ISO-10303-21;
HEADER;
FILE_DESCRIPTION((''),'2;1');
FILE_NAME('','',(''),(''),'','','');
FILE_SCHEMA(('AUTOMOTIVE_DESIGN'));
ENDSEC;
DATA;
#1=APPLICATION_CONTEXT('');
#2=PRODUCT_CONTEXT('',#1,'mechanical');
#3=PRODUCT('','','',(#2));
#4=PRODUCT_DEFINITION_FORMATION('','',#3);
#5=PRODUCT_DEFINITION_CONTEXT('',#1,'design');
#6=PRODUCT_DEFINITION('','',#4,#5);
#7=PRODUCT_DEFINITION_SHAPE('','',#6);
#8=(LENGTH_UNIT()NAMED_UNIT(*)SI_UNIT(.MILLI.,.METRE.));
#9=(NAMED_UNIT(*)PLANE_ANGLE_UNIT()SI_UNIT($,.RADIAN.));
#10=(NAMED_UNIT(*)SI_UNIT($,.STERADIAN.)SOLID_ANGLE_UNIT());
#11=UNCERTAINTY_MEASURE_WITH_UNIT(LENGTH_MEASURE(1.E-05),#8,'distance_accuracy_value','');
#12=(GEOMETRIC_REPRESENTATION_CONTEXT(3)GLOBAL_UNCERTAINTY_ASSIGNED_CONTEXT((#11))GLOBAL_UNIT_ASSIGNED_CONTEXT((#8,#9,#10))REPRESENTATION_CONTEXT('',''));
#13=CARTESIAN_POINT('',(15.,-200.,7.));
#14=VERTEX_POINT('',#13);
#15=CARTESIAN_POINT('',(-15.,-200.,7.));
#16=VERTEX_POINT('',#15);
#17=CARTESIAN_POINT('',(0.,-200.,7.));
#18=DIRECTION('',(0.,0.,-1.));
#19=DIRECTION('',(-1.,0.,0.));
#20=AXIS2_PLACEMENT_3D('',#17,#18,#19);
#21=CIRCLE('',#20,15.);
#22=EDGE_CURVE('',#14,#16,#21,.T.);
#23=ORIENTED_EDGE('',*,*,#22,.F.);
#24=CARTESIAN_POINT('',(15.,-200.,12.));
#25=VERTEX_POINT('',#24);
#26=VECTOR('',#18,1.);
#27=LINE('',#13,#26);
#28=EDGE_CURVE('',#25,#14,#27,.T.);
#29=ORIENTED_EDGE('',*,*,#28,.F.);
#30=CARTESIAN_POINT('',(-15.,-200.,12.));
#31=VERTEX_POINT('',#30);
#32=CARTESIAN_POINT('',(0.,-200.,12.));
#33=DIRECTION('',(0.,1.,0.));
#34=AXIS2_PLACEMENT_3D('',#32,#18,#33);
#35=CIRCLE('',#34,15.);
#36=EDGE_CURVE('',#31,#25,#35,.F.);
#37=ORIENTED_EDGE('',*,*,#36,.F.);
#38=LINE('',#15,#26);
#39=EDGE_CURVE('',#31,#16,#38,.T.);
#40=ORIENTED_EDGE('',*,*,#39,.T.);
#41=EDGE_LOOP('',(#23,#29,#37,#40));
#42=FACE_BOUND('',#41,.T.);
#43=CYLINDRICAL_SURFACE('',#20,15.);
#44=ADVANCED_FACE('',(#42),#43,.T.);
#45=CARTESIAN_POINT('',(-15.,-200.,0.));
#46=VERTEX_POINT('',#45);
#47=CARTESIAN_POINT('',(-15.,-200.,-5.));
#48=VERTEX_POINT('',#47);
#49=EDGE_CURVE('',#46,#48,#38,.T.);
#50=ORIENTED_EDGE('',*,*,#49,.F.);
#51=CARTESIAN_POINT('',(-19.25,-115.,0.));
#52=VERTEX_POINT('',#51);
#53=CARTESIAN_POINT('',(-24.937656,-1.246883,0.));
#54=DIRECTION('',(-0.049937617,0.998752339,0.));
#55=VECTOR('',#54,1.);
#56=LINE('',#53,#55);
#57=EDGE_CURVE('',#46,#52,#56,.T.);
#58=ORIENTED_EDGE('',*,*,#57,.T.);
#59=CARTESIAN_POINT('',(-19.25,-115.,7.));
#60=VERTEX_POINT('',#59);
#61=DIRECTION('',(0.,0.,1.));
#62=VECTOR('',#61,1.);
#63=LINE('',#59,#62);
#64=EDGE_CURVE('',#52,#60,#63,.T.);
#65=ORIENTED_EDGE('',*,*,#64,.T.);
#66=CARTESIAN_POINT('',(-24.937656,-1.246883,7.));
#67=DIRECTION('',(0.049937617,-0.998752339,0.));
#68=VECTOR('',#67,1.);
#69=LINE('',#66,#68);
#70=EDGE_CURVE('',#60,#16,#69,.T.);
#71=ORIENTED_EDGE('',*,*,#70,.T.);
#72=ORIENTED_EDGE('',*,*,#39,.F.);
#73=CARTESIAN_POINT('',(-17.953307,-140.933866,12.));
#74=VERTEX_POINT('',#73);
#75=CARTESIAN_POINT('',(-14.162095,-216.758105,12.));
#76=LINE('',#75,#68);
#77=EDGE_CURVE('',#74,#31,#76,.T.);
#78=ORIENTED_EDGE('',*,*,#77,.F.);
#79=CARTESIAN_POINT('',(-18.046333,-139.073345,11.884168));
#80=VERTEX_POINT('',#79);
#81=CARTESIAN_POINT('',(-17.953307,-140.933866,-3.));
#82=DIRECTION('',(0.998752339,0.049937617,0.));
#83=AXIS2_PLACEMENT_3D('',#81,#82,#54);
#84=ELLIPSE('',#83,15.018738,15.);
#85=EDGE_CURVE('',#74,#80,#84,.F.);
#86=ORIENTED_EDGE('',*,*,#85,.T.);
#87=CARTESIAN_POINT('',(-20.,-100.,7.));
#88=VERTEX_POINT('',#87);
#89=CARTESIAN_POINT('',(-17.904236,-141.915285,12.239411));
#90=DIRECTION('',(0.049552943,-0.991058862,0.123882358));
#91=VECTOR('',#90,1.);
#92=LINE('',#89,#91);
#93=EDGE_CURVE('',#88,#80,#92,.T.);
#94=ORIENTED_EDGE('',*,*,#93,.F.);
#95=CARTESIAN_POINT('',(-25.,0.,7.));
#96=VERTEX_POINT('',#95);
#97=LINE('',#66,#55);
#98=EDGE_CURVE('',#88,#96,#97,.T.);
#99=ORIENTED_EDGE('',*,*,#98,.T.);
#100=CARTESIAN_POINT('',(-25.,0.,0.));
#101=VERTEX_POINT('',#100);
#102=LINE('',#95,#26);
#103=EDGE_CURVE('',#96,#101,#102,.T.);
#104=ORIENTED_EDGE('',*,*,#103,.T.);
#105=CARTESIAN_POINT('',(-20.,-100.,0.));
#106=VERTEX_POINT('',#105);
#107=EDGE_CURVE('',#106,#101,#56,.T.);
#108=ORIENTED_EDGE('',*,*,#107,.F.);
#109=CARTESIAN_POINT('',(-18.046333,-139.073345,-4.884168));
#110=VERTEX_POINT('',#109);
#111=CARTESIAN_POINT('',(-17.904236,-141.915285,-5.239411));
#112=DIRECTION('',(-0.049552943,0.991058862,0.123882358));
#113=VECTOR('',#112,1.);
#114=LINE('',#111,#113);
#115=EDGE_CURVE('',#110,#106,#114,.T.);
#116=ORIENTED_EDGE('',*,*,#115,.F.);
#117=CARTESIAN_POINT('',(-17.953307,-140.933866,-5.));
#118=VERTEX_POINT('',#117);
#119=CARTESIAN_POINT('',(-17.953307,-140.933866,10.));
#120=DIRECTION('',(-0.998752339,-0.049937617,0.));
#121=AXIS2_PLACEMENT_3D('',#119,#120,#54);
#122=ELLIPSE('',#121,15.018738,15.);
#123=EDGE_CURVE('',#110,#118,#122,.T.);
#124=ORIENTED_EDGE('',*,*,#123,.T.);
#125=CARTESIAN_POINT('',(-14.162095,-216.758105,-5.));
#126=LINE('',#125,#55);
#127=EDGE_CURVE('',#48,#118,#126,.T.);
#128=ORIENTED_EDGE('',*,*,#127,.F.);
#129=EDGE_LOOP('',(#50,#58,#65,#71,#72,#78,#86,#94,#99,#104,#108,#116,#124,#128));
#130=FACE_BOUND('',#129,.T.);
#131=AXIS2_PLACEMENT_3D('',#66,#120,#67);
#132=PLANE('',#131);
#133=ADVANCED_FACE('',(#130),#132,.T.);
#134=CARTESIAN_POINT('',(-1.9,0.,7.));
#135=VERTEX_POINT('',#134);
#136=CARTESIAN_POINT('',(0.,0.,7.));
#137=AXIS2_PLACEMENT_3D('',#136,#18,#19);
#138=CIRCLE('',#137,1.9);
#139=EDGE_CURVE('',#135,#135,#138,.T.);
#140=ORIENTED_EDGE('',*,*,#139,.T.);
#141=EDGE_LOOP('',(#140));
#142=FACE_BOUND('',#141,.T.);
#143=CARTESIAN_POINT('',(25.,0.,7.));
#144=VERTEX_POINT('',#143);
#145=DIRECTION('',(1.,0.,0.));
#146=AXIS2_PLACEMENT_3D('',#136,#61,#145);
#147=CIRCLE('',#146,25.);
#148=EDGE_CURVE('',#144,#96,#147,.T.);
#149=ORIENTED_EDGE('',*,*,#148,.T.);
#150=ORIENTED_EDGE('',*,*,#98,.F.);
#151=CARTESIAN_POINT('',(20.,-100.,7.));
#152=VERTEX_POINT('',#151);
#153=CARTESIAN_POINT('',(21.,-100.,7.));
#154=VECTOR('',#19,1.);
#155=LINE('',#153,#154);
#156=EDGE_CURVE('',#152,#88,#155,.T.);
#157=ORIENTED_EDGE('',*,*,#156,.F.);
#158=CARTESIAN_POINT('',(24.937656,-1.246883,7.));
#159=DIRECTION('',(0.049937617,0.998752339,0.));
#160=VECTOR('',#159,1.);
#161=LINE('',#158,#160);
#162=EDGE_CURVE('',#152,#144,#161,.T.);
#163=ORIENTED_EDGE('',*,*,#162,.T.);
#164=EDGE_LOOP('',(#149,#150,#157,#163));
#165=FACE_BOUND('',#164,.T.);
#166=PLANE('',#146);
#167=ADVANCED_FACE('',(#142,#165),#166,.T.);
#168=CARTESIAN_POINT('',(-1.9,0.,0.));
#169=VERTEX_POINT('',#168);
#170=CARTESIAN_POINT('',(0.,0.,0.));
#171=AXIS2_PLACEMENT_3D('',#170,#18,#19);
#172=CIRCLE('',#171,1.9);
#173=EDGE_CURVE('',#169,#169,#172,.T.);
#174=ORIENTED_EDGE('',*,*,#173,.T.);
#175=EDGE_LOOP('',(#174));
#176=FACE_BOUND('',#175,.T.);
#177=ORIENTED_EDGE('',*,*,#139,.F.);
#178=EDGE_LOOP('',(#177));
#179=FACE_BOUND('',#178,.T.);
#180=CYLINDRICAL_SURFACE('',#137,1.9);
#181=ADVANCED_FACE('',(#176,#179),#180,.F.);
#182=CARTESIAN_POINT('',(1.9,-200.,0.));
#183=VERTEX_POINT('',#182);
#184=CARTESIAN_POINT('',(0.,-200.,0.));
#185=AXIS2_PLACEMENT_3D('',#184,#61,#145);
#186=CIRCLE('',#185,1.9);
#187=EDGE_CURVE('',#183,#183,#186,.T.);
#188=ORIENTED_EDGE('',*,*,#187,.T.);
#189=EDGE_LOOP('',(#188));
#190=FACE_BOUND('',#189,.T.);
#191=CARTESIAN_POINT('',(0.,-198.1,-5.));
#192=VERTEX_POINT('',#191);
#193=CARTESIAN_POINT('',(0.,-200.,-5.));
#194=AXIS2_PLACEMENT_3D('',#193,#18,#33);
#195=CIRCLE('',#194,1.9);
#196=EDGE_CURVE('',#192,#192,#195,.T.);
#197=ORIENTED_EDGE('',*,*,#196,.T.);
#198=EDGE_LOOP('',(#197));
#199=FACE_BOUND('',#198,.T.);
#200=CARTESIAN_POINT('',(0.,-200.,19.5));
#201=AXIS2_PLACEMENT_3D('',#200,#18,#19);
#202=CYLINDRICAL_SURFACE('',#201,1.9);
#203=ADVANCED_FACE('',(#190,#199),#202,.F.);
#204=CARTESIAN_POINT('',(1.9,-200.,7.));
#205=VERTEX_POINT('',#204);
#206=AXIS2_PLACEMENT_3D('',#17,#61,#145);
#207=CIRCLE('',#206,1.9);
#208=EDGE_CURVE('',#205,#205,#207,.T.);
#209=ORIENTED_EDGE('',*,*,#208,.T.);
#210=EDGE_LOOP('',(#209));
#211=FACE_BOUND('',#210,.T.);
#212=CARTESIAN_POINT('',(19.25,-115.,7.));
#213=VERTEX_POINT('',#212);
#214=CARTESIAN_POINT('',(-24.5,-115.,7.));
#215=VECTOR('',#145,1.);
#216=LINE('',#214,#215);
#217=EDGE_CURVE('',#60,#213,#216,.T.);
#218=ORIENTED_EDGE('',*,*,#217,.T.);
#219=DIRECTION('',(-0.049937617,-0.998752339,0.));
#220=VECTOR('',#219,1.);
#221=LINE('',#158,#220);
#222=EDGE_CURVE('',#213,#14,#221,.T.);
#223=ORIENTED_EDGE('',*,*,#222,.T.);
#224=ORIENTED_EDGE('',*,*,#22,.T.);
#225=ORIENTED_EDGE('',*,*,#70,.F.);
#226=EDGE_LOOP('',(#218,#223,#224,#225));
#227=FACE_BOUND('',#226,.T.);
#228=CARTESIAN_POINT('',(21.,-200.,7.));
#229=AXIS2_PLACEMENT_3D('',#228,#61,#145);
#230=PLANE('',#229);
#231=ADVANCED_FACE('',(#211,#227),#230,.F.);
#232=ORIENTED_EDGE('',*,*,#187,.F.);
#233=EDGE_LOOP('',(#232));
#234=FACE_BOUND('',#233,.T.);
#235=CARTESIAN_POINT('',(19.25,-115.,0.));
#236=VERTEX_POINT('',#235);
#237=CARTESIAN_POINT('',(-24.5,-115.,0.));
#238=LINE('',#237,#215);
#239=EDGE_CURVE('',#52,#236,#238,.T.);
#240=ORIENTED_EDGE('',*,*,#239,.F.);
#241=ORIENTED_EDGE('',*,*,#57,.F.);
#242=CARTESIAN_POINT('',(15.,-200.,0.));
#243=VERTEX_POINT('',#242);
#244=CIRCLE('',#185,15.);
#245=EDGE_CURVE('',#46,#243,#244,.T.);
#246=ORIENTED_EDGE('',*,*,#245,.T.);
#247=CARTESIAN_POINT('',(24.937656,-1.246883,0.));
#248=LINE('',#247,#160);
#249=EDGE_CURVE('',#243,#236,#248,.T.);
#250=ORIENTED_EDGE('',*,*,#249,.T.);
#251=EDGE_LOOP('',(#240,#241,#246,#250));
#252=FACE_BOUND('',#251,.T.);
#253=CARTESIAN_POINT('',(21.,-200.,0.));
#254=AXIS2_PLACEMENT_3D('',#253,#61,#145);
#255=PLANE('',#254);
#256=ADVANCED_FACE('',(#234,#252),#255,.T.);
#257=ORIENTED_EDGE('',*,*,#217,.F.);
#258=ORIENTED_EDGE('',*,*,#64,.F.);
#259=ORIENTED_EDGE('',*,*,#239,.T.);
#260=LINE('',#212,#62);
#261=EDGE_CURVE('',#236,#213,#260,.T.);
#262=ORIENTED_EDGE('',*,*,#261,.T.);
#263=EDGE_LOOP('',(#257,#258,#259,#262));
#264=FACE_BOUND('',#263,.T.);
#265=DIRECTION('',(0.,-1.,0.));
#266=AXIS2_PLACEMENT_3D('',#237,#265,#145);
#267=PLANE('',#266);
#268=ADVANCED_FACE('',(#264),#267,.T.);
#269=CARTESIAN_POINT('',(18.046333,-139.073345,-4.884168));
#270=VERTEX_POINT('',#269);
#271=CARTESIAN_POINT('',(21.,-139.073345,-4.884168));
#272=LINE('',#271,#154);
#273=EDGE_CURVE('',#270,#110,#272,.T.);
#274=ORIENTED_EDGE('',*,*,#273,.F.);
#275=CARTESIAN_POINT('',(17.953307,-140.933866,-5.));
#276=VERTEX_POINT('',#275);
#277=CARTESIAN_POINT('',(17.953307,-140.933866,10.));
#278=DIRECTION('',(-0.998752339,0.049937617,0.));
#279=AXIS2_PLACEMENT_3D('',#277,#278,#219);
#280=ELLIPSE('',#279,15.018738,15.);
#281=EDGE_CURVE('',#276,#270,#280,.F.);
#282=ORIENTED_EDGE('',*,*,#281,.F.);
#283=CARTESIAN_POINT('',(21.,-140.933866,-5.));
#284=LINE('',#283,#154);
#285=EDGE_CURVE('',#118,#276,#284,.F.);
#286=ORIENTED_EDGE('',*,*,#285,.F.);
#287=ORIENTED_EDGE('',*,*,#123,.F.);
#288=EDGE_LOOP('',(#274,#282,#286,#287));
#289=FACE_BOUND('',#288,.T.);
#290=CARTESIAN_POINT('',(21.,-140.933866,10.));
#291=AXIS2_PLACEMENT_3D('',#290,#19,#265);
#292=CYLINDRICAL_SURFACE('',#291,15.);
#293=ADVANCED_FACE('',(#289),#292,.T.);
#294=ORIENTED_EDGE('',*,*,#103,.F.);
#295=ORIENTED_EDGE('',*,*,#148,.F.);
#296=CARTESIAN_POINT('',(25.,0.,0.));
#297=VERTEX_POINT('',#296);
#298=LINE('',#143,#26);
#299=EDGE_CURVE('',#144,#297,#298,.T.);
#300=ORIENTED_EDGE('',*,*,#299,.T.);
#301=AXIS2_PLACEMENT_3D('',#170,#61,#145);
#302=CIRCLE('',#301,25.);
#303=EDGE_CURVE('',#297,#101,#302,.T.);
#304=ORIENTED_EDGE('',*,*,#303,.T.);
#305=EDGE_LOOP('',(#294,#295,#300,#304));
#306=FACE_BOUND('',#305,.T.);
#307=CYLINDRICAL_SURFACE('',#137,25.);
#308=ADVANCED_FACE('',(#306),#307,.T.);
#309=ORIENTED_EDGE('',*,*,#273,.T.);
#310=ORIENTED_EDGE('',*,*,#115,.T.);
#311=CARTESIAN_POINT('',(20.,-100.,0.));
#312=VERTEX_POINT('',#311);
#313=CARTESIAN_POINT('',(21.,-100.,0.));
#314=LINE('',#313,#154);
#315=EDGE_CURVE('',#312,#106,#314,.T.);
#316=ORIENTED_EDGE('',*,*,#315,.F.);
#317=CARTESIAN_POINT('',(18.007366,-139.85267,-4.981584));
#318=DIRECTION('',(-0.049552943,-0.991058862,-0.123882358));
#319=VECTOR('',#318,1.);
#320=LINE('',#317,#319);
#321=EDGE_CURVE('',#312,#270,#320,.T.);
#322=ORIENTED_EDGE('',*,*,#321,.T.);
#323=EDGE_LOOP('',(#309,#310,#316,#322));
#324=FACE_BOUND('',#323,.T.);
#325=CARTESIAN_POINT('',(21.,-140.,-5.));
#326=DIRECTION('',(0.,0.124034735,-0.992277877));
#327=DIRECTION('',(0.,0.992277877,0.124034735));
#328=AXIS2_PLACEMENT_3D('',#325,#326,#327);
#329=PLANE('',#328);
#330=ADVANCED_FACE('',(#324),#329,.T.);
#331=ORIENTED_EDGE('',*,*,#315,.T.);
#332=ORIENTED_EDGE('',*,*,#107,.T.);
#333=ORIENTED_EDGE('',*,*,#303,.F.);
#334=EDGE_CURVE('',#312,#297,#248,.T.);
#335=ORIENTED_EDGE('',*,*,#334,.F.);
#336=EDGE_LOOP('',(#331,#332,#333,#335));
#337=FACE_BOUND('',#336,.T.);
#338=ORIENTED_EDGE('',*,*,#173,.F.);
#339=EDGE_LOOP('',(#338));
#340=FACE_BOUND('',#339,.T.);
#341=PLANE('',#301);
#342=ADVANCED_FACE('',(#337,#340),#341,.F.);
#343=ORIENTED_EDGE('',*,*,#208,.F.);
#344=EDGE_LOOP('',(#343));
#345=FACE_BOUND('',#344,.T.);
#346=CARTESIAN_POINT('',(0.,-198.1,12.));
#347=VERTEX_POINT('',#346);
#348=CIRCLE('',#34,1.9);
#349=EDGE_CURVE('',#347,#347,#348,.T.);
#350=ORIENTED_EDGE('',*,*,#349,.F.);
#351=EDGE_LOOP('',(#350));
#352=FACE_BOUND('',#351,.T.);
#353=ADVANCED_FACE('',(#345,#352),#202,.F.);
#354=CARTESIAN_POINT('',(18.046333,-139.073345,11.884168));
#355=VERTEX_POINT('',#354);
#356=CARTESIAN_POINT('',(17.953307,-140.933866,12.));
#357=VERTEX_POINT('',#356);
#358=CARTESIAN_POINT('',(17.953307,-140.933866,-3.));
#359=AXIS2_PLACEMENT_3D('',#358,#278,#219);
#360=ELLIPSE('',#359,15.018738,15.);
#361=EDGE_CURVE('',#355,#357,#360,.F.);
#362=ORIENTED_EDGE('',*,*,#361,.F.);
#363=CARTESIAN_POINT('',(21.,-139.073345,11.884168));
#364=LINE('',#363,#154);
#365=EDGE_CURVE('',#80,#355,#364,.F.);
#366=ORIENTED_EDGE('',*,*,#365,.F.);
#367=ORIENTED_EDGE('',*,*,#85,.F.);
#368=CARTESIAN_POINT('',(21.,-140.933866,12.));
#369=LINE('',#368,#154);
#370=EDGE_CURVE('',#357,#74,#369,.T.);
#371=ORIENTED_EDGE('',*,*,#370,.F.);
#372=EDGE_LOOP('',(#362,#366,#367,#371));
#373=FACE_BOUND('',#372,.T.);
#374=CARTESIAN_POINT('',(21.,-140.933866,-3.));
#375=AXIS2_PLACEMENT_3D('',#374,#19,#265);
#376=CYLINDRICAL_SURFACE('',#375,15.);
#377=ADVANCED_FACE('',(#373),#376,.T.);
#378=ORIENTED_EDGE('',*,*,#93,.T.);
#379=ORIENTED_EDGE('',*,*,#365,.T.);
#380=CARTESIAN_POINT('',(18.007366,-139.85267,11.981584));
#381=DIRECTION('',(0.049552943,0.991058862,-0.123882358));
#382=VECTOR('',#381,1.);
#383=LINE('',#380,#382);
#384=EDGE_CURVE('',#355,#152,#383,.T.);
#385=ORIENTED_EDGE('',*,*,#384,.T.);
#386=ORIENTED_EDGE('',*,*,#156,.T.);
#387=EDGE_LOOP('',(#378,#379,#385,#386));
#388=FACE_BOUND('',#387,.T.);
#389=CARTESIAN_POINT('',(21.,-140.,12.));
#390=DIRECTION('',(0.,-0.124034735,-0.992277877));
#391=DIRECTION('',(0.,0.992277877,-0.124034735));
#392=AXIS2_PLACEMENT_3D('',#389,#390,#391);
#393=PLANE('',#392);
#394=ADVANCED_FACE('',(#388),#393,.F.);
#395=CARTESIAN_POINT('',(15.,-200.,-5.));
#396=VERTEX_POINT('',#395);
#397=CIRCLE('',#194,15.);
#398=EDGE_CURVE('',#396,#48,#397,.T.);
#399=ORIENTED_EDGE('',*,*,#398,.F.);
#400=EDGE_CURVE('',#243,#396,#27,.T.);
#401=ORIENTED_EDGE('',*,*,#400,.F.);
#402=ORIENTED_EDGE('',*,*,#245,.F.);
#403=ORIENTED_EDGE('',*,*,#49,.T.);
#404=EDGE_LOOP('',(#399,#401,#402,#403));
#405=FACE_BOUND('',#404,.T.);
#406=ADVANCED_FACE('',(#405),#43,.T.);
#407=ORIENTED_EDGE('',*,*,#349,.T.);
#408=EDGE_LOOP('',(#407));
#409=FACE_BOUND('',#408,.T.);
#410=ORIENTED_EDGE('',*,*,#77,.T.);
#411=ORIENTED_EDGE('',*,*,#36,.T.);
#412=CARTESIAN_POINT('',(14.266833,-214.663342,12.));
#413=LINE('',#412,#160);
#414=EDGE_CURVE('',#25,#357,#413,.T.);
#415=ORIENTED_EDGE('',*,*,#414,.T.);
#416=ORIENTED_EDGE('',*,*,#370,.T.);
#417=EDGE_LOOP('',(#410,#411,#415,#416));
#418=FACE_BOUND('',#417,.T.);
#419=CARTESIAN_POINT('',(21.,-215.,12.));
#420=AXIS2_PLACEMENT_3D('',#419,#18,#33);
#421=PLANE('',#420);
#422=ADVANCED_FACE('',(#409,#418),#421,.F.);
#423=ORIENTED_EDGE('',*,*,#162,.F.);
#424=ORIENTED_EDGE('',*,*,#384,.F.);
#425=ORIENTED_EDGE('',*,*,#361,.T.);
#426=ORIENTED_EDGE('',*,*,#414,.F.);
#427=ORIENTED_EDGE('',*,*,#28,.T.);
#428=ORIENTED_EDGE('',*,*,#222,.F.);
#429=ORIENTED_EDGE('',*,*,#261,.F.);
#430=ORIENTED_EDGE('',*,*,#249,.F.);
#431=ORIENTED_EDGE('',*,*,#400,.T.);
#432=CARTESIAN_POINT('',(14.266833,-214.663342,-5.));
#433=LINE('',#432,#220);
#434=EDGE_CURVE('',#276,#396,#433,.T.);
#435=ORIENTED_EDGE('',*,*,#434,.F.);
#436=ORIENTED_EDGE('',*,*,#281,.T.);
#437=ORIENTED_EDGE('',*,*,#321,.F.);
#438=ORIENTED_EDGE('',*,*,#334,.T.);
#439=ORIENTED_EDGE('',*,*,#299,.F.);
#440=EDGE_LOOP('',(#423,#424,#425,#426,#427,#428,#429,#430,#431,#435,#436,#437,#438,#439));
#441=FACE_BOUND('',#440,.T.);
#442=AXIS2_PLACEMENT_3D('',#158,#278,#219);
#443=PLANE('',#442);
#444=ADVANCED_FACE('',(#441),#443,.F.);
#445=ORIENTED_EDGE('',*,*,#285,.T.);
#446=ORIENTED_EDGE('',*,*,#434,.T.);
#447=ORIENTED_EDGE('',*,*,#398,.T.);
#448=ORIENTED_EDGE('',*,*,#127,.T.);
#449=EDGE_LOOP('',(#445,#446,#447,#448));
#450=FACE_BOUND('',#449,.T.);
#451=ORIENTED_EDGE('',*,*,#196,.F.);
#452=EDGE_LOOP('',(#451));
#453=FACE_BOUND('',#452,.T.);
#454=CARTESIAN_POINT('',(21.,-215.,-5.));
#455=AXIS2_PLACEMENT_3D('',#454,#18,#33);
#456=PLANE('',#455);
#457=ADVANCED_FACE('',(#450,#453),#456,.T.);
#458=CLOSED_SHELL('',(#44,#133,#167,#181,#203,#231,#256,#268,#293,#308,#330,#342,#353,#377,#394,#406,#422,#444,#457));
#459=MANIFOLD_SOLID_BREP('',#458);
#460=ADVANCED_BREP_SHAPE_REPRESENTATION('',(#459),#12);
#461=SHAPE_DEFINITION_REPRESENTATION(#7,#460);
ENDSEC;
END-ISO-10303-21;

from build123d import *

# Parameters (mm, degrees)
BOSS_EXTRUDE1_DEPTH  = 7
SKETCH6_R            = 2.25
CUT_EXTRUDE4_DEPTH   = 25
BOSS_EXTRUDE2_START  = -21
BOSS_EXTRUDE2_DEPTH  = 43
CUT_EXTRUDE5_DEPTH   = 28
FILLET1_R            = 15
FILLET1_OF_MIRROR1_R = 15
SKETCH12_W           = 7
SKETCH12_H           = 100
CUT_EXTRUDE6_DEPTH   = 24.5
SKETCH13_R           = 1.9
CUT_EXTRUDE7_DEPTH   = 24.5
SKETCH14_R           = 1.9
CUT_EXTRUDE8_DEPTH   = 7


with BuildPart() as part:
    # Sketch2 → Boss-Extrude1 (new body)
    with BuildSketch(Plane.XY):
        with BuildLine():
            Line((15, -200), (25, 0))
            ThreePointArc((25, 0), (0, 25), (-25, 0))
            Line((-25, 0), (-15, -200))
            ThreePointArc((-15, -200), (0, -215), (15, -200))
        make_face()
    extrude(amount=BOSS_EXTRUDE1_DEPTH)

    # Sketch6 → Cut-Extrude4 (cut)
    with BuildSketch(Plane.XY.offset(7)):
        with Locations((0, -200)):
            Circle(SKETCH6_R)
    extrude(amount=-CUT_EXTRUDE4_DEPTH, mode=Mode.SUBTRACT)

    # Sketch9 → Boss-Extrude2 (add)
    with BuildSketch(Plane.ZY.offset(BOSS_EXTRUDE2_START)):
        Polygon((0, -200), (0, -215), (-5, -215), (-5, -140), (0, -100), align=None)
    boss_extrude2 = extrude(amount=BOSS_EXTRUDE2_DEPTH)

    # Sketch10 → Cut-Extrude5 (cut, symmetric)
    with BuildSketch(Plane.XY.offset(7)):
        with BuildLine():
            Line((21, -100), (20, -100))
            Line((20, -100), (15, -200))
            ThreePointArc((15, -200), (10.606601767, -210.606601669), (1.38e-07, -215))
            Line((1.38e-07, -215), (21, -215))
            Line((21, -215), (21, -100))
        make_face()
        with BuildLine():
            Line((-22, -215), (1.38e-07, -215))
            ThreePointArc((1.38e-07, -215), (-10.606601669, -210.606601767), (-15, -200))
            Line((-15, -200), (-20, -100))
            Line((-20, -100), (-22, -100))
            Line((-22, -100), (-22, -215))
        make_face()
    cut_extrude5 = extrude(amount=CUT_EXTRUDE5_DEPTH, both=True, mode=Mode.SUBTRACT)

    # Fillet1
    fillet1_edges = [part.edges().sort_by_distance(p)[0] for p in [
        (0, -140, -5),
    ]]
    fillet(fillet1_edges, radius=FILLET1_R)

    # Mirror1: Boss-Extrude2 across plane
    add(boss_extrude2.mirror(Plane.XY.offset(3.5)))

    # Fillet1 of Mirror1
    fillet1_of_mirror1_edges = [part.edges().sort_by_distance(p)[0] for p in [
        (0, -140, 12),
    ]]
    fillet(fillet1_of_mirror1_edges, radius=FILLET1_OF_MIRROR1_R)

    # Mirror2: Cut-Extrude5 across plane
    add(cut_extrude5.mirror(Plane.XY.offset(3.5)), mode=Mode.SUBTRACT)

    # Sketch12 → Cut-Extrude6 (cut, symmetric)
    with BuildSketch(Plane.ZY):
        with Locations((3.5, -165)):
            Rectangle(SKETCH12_W, SKETCH12_H)
    extrude(amount=CUT_EXTRUDE6_DEPTH, both=True, mode=Mode.SUBTRACT)

    # Sketch13 → Cut-Extrude7 (cut, symmetric)
    with BuildSketch(Plane(origin=(0, 0, -5), x_dir=(-1, 0, 0), z_dir=(0, 0, -1))):
        with Locations(Location((0, -200, 0), (0, 0, 90))):
            Circle(SKETCH13_R)
    extrude(amount=CUT_EXTRUDE7_DEPTH, both=True, mode=Mode.SUBTRACT)

    # Sketch14 → Cut-Extrude8 (cut)
    with BuildSketch(Plane(origin=(0, 0, 0), x_dir=(-1, 0, 0), z_dir=(0, 0, -1))):
        Circle(SKETCH14_R)
    extrude(amount=-CUT_EXTRUDE8_DEPTH, mode=Mode.SUBTRACT)


solid = part.part
